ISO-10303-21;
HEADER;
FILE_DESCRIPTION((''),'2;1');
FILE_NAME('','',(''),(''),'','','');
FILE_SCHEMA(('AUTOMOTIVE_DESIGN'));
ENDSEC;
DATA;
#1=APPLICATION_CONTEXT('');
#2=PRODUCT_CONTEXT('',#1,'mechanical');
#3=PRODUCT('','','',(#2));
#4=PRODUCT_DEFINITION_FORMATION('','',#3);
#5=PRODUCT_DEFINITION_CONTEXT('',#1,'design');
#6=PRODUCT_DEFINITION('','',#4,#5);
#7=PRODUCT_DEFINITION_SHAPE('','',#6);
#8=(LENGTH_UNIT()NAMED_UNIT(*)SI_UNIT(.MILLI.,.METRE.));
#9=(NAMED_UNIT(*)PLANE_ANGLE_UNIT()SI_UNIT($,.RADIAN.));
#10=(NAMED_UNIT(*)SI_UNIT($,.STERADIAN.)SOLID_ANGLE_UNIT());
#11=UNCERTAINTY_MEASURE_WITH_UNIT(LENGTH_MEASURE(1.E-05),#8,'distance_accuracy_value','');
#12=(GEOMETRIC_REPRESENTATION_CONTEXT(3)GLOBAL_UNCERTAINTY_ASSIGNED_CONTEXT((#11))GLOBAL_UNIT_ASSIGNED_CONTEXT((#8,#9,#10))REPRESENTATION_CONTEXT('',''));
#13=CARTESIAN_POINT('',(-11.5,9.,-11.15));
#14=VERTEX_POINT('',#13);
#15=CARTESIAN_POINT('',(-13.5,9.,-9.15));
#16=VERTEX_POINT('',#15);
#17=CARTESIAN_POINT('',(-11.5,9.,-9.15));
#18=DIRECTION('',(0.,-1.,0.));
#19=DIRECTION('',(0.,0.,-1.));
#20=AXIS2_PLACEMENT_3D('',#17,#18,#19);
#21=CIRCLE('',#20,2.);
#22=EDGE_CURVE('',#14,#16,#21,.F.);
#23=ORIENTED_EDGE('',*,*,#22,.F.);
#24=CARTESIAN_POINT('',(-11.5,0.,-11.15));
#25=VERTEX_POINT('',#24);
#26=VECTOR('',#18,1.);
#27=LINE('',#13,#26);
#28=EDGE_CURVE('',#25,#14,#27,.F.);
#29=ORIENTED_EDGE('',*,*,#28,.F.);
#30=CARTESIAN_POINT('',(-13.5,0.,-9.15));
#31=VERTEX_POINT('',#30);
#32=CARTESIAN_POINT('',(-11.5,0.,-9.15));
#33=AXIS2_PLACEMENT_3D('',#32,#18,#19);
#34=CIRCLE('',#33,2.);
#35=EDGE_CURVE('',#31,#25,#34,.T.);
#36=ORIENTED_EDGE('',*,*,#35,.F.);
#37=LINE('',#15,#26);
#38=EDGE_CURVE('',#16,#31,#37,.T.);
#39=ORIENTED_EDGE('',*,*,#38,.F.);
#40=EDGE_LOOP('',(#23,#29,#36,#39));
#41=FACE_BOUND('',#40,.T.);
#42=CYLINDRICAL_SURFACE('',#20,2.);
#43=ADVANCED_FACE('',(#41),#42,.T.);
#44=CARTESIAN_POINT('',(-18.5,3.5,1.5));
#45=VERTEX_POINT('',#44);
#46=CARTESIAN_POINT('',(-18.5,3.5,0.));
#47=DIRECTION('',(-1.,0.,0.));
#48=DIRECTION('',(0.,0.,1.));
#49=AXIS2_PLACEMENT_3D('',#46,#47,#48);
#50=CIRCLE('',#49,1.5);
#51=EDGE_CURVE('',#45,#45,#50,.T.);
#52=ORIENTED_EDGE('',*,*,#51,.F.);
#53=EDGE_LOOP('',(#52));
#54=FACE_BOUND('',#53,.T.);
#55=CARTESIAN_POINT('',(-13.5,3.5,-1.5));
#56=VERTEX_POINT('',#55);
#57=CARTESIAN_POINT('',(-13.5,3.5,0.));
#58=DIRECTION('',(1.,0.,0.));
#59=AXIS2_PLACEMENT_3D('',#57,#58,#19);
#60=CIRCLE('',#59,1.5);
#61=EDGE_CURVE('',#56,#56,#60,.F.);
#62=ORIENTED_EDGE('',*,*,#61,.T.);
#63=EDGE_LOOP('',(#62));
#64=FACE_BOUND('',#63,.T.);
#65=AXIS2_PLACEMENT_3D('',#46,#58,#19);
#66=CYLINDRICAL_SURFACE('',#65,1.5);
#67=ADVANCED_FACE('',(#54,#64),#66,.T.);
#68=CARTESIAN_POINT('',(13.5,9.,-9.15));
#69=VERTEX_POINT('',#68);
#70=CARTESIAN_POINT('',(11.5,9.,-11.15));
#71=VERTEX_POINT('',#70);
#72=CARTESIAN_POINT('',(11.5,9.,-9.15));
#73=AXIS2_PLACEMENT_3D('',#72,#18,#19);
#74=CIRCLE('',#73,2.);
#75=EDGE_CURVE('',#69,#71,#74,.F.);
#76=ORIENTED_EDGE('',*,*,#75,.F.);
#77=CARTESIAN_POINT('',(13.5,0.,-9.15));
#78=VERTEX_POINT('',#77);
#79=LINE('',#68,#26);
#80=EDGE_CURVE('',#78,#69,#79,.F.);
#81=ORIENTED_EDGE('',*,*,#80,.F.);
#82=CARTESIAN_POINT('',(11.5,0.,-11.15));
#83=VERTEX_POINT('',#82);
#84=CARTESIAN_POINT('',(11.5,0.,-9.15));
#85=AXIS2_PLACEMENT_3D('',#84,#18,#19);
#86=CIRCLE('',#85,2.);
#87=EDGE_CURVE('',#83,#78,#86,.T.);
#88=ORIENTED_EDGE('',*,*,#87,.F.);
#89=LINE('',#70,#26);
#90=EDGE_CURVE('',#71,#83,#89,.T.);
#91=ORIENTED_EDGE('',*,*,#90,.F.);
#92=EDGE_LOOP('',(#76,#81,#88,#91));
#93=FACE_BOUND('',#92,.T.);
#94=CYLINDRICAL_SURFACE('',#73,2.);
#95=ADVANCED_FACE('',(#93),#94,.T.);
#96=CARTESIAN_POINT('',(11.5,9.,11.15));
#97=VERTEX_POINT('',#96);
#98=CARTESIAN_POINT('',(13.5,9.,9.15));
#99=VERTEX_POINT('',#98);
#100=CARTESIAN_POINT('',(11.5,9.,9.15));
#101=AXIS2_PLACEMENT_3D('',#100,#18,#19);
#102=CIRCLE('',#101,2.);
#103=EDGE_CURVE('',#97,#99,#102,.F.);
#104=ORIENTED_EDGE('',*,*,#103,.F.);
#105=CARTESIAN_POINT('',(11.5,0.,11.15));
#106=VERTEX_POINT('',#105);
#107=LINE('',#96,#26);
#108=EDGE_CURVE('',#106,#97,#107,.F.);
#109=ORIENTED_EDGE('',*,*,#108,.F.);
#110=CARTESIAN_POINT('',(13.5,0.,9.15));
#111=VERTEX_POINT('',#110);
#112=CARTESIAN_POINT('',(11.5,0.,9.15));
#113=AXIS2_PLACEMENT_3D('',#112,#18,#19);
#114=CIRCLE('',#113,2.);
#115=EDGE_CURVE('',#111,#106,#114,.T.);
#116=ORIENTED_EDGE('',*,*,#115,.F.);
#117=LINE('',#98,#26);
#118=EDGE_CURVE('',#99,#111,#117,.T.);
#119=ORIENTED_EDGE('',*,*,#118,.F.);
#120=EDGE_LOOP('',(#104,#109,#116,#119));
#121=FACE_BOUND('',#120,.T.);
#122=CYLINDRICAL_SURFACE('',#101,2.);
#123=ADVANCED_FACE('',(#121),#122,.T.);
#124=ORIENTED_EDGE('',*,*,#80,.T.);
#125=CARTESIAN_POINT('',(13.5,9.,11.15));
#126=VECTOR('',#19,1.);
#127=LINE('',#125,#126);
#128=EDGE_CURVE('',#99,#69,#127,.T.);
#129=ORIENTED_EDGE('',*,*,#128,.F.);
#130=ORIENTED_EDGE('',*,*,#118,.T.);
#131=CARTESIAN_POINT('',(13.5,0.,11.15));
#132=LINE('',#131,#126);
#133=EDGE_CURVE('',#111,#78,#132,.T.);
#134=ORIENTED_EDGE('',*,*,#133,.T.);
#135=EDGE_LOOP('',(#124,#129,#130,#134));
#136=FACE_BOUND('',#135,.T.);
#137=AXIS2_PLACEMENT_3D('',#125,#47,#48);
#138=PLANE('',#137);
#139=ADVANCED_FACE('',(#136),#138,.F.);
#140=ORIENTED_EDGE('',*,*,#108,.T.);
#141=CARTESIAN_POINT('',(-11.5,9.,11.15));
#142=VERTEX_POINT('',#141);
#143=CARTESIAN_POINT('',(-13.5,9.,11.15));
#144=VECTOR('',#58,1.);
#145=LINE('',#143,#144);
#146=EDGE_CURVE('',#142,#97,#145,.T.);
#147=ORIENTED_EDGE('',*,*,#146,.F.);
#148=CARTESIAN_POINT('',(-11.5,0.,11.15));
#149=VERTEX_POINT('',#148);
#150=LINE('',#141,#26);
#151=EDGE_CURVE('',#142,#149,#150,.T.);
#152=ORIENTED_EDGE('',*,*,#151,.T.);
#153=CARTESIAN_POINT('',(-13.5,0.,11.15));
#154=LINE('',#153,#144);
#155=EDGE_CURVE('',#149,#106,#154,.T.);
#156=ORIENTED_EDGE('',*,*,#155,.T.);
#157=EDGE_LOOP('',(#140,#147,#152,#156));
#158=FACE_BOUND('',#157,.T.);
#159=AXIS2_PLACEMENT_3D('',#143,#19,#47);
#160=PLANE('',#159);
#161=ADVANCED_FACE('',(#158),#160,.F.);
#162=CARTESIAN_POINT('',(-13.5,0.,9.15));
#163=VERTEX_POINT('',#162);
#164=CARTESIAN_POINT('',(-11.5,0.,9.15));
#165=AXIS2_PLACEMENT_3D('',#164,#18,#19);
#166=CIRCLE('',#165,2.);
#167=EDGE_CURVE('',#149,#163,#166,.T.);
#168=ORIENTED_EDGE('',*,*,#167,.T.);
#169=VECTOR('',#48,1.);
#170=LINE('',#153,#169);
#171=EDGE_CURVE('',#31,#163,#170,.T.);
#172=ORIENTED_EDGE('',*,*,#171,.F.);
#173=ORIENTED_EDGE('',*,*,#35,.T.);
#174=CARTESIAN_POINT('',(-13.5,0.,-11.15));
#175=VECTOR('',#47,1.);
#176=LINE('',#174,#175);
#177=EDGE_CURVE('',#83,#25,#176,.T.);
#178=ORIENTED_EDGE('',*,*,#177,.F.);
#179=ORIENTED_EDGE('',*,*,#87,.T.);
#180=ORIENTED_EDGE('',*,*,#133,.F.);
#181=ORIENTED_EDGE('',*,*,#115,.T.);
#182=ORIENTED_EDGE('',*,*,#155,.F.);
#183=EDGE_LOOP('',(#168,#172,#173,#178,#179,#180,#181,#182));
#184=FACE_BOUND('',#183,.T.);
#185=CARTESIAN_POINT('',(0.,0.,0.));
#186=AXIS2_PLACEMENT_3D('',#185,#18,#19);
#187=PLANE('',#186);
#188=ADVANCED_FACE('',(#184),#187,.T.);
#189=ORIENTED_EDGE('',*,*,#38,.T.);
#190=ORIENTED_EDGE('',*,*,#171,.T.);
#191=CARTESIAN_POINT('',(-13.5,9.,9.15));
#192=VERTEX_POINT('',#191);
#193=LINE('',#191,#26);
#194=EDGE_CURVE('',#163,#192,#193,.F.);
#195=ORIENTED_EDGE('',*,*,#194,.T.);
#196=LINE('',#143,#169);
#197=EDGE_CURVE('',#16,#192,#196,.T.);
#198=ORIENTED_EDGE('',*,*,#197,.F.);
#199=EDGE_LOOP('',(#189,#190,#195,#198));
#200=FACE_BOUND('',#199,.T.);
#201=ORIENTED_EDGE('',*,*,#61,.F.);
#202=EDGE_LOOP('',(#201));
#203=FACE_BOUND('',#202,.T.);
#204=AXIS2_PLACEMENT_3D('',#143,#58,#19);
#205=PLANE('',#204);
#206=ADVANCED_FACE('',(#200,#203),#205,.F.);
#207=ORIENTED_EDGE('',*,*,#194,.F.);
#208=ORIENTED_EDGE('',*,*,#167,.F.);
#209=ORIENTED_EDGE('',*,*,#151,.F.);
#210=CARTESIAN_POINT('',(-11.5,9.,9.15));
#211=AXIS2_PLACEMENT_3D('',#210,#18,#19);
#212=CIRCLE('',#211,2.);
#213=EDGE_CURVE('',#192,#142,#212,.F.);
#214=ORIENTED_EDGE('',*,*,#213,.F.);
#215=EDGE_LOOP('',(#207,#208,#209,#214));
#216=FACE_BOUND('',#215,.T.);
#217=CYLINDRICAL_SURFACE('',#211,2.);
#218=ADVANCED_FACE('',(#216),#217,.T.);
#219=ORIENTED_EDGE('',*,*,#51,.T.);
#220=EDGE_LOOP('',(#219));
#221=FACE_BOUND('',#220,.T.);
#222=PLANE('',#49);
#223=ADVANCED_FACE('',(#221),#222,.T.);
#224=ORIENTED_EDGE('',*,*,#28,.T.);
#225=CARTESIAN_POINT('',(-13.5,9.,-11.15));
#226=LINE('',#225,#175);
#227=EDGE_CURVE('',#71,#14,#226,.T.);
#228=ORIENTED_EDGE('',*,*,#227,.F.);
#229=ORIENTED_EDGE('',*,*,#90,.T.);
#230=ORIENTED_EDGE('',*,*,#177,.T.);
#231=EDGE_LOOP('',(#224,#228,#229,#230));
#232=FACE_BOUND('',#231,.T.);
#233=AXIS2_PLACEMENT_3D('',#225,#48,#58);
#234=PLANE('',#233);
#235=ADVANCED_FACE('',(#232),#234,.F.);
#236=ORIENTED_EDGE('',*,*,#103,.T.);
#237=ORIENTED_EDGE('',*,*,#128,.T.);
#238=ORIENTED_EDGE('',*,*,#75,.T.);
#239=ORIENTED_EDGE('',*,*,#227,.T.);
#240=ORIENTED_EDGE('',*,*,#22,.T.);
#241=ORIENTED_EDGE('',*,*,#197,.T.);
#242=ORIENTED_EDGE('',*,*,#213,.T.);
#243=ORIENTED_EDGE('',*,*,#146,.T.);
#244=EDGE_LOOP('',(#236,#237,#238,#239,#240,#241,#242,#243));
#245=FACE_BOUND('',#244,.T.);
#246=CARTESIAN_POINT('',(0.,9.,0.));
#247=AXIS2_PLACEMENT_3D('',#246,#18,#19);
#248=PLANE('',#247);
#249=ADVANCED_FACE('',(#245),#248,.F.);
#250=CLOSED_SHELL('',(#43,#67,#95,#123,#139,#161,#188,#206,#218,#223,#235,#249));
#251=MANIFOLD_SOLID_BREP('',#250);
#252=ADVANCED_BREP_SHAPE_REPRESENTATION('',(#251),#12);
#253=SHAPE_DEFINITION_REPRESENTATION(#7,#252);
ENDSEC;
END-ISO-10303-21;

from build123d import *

# Parameters (mm, degrees)
SKETCH1_W           = 27
SKETCH1_H           = 22.3
BOSS_EXTRUDE1_DEPTH = 9
SKETCH2_R           = 1.5
BOSS_EXTRUDE3_DEPTH = 5
FILLET1_R           = 2


with BuildPart() as part:
    # Sketch1 → Boss-Extrude1 (new body)
    with BuildSketch(Plane(origin=(0, 0, 0), x_dir=(1, 0, 0), z_dir=(0, 1, 0))):
        Rectangle(SKETCH1_W, SKETCH1_H)
    extrude(amount=BOSS_EXTRUDE1_DEPTH)

    # Sketch2 → Boss-Extrude3 (add)
    with BuildSketch(Plane.ZY.offset(13.5)):
        with Locations(Location((0, 3.5, 0), (0, 0, 180))):
            Circle(SKETCH2_R)
    extrude(amount=BOSS_EXTRUDE3_DEPTH)

    # Fillet1
    fillet1_edges = [part.edges().sort_by_distance(p)[0] for p in [
        (13.5, 4.5, 11.15),
        (-13.5, 4.5, 11.15),
        (-13.5, 4.5, -11.15),
        (13.5, 4.5, -11.15),
    ]]
    fillet(fillet1_edges, radius=FILLET1_R)


solid = part.part
